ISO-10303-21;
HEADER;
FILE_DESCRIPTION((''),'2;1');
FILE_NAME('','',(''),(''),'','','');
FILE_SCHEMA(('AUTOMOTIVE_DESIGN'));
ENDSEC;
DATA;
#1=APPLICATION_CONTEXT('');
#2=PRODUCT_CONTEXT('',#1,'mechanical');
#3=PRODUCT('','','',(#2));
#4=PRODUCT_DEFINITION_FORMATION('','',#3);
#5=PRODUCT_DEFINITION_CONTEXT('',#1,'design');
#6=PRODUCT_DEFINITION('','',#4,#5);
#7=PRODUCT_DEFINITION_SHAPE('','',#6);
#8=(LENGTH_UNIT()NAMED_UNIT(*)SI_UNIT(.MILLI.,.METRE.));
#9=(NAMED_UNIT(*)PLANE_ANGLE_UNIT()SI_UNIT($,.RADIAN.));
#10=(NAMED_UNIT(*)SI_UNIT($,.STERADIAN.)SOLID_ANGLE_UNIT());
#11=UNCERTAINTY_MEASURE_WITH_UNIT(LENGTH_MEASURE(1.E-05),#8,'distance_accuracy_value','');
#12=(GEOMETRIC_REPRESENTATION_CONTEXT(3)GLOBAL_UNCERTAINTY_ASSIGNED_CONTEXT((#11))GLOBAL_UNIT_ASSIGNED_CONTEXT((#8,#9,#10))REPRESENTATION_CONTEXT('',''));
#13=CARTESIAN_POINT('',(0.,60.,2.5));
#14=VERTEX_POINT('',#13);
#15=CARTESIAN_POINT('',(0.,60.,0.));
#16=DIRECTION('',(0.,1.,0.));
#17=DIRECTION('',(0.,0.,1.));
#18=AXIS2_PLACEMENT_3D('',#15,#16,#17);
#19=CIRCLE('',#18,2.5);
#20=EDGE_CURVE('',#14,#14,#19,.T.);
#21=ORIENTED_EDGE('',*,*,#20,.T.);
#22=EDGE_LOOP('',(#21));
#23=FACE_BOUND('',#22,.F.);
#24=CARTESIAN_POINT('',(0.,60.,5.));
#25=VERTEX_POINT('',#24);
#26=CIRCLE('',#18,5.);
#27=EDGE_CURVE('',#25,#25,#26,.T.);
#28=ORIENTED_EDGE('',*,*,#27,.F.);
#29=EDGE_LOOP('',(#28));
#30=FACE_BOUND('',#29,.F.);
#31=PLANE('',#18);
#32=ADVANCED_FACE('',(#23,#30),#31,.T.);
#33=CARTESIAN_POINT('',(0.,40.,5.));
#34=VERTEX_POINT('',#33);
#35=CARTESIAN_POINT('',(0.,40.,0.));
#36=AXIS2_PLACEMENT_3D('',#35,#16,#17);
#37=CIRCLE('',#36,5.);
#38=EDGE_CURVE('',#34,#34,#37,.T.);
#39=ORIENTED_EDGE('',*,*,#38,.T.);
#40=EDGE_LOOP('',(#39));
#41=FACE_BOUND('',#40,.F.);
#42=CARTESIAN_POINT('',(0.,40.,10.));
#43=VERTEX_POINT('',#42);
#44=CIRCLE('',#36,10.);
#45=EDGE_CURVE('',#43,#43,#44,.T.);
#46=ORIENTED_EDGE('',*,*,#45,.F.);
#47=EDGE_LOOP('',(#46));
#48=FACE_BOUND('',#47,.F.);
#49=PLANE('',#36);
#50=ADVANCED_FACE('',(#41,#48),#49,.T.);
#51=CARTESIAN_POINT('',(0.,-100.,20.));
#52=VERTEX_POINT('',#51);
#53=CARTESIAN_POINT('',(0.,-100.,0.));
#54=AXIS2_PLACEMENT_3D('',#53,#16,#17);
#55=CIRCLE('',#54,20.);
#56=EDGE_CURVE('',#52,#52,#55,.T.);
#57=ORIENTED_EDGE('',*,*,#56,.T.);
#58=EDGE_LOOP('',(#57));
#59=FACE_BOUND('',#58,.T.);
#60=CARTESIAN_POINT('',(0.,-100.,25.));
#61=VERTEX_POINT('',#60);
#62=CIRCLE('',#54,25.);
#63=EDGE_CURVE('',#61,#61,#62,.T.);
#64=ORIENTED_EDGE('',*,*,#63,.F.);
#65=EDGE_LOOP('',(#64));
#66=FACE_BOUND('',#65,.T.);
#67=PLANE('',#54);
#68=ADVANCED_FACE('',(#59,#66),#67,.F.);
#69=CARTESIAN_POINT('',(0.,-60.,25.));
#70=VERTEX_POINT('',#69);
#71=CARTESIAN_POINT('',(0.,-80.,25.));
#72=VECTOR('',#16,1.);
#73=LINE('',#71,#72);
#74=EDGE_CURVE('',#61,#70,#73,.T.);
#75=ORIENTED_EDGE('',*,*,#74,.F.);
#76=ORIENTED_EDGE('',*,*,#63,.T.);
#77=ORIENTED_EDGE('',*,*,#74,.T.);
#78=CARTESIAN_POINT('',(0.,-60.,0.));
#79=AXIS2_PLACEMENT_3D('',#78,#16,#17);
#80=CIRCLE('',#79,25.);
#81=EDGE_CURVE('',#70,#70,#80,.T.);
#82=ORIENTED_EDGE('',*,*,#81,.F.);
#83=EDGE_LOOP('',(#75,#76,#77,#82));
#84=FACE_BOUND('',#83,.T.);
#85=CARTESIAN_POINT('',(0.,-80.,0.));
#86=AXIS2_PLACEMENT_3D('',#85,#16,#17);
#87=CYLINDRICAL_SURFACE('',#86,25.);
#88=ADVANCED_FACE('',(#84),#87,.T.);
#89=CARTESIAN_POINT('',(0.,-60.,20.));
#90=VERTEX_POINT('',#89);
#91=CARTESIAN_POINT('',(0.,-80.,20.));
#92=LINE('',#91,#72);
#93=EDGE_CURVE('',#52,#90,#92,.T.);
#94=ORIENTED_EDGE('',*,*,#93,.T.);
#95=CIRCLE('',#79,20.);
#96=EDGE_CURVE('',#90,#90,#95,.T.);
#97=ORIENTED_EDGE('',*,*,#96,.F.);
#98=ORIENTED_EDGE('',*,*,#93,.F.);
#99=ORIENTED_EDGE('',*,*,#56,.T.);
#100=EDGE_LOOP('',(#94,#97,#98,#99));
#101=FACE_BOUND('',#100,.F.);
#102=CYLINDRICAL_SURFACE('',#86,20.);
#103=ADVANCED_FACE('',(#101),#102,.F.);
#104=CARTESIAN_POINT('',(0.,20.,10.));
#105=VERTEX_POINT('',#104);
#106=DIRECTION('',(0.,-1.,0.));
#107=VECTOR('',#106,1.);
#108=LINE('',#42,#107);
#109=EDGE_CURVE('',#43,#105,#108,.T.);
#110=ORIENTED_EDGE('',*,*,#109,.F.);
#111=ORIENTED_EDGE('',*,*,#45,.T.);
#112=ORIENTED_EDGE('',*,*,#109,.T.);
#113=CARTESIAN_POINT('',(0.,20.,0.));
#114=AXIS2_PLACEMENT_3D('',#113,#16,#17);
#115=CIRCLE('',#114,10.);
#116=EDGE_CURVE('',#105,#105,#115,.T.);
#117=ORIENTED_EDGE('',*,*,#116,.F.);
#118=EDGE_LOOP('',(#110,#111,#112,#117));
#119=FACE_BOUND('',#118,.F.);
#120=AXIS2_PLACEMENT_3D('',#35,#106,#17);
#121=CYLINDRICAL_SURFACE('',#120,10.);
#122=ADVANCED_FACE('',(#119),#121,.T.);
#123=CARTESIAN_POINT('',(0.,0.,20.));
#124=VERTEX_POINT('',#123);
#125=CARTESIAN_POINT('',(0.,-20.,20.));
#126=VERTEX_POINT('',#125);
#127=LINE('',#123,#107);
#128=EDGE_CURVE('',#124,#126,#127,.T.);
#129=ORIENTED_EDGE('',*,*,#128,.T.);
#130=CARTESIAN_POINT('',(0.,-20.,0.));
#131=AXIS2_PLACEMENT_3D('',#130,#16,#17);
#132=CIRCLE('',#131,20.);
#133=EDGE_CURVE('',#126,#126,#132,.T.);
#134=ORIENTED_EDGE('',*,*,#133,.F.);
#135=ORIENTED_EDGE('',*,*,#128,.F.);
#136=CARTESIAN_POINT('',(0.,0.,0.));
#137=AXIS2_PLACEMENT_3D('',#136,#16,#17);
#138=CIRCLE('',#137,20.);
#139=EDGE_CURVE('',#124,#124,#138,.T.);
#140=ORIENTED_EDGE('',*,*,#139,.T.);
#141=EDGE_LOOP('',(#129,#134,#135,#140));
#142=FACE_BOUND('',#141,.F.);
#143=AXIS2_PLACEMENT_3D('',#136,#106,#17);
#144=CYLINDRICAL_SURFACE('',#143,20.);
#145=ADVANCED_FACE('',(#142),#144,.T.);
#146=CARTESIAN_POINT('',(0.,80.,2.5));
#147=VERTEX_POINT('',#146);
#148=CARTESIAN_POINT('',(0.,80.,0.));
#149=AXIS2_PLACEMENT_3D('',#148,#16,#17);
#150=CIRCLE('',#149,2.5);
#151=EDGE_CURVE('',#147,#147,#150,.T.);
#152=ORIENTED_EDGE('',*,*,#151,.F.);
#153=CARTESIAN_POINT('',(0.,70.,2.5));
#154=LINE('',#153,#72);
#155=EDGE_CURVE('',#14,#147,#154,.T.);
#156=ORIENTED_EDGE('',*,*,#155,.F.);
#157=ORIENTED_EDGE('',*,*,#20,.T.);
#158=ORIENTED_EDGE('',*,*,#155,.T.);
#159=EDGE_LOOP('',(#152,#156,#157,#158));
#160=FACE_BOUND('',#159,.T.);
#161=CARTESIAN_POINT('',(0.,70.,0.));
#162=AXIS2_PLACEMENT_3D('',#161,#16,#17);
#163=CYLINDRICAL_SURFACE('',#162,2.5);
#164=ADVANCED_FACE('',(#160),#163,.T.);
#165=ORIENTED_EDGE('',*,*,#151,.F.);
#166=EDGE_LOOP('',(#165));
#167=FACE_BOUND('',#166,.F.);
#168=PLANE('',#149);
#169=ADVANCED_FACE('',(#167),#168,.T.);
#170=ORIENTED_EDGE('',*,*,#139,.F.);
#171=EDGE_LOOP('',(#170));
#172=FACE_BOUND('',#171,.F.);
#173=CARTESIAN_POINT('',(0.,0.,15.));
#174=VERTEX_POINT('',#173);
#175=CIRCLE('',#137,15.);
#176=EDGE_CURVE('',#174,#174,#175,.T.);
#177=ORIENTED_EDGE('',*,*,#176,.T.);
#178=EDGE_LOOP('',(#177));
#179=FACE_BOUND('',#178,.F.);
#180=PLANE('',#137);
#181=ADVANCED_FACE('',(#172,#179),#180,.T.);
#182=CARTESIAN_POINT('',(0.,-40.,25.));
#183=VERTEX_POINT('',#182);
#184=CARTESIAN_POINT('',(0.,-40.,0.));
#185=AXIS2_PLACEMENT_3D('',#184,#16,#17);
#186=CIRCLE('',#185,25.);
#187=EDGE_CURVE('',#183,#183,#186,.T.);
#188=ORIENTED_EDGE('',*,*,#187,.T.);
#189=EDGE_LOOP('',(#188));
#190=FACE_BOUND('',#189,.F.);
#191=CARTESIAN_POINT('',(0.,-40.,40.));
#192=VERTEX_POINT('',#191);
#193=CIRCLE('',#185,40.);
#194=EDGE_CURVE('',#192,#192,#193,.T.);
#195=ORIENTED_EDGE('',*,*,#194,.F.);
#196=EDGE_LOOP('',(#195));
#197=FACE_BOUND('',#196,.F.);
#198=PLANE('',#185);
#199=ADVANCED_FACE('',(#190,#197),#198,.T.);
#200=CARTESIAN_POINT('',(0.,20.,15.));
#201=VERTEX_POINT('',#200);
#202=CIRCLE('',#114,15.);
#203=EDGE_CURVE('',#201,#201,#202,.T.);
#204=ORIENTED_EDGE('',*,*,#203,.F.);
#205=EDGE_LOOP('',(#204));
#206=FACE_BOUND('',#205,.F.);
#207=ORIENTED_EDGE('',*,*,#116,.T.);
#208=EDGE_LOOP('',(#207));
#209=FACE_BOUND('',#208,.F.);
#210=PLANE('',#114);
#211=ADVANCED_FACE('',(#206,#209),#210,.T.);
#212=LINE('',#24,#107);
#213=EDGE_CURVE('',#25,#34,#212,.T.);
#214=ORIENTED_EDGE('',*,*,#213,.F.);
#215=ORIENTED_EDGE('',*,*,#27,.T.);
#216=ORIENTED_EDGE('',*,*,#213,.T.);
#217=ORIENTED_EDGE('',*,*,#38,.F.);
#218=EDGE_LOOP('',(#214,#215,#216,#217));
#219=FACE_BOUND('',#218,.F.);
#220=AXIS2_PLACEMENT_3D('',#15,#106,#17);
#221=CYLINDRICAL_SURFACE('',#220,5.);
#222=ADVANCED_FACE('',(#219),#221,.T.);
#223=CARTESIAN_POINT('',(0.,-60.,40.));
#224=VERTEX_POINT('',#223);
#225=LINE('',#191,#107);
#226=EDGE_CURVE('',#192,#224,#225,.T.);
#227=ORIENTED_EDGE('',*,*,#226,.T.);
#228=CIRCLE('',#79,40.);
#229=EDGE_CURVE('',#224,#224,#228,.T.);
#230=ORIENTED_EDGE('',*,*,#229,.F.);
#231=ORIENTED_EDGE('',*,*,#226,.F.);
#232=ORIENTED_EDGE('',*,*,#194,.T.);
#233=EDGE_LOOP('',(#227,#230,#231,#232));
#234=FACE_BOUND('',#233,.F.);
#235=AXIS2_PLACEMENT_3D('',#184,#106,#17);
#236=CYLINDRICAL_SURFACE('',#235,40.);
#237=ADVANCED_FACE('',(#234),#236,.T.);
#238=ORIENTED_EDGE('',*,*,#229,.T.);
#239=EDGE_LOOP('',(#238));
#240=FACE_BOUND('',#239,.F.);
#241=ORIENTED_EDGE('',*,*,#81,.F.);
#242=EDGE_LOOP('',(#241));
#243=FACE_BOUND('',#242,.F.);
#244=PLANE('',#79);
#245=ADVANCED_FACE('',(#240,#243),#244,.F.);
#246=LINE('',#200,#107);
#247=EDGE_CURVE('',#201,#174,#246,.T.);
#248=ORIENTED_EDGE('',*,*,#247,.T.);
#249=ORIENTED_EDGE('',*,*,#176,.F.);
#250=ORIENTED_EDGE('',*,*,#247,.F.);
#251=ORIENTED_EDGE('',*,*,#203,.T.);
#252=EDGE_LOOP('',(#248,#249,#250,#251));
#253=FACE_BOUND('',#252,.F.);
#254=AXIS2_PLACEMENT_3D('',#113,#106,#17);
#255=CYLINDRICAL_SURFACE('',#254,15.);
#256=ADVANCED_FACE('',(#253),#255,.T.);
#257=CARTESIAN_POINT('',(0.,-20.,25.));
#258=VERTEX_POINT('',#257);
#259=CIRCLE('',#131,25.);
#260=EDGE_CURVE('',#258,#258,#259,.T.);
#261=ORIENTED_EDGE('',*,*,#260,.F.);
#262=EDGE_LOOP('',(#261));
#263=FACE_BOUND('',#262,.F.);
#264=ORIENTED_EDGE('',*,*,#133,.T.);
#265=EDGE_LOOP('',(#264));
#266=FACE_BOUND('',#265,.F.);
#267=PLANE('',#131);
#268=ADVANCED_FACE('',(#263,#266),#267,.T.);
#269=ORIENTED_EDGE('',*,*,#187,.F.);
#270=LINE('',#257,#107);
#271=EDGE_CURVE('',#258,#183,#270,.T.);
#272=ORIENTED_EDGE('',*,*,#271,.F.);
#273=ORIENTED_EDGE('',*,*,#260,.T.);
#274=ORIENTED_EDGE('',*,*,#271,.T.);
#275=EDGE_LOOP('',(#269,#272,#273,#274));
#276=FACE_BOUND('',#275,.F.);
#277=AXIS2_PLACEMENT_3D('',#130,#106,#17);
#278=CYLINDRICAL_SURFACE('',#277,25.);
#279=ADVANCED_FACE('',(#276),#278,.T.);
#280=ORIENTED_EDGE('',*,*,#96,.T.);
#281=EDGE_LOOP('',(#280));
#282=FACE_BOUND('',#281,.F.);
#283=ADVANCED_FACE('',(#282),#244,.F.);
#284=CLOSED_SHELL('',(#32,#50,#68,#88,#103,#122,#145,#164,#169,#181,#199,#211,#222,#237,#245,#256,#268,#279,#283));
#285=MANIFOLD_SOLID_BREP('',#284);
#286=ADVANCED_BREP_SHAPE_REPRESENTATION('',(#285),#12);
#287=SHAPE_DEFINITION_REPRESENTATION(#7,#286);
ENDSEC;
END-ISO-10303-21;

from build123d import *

# Parameters (mm, degrees)
F0_W   = 40
F0_H   = 5
F0_W_2 = 20
F0_H_2 = 2.5


with BuildPart() as f1:
    # F0 (on Right) → F1 (revolve)
    with BuildSketch(Plane.YZ):
        with Locations((-80, 22.5)):
            Rectangle(F0_W, F0_H)
        Polygon((-60, 20), (-60, 0), (-40, 0), (-40, 25), (-40, 40), (-60, 40), (-60, 25), align=None)
        Polygon((-40, 25), (-40, 0), (-20, 0), (-20, 20), (-20, 25), align=None)
        Polygon((-20, 20), (-20, 0), (0, 0), (0, 15), (0, 20), align=None)
        Polygon((0, 15), (0, 0), (20, 0), (20, 10), (20, 15), align=None)
        Polygon((20, 10), (20, 0), (40, 0), (40, 5), (40, 10), align=None)
        Polygon((40, 5), (40, 0), (60, 0), (60, 2.5), (60, 5), align=None)
        with Locations((70, 1.25)):
            Rectangle(F0_W_2, F0_H_2)
    revolve(axis=Axis((0, -30, 0), (0, 1, 0)))


solid = f1.part
